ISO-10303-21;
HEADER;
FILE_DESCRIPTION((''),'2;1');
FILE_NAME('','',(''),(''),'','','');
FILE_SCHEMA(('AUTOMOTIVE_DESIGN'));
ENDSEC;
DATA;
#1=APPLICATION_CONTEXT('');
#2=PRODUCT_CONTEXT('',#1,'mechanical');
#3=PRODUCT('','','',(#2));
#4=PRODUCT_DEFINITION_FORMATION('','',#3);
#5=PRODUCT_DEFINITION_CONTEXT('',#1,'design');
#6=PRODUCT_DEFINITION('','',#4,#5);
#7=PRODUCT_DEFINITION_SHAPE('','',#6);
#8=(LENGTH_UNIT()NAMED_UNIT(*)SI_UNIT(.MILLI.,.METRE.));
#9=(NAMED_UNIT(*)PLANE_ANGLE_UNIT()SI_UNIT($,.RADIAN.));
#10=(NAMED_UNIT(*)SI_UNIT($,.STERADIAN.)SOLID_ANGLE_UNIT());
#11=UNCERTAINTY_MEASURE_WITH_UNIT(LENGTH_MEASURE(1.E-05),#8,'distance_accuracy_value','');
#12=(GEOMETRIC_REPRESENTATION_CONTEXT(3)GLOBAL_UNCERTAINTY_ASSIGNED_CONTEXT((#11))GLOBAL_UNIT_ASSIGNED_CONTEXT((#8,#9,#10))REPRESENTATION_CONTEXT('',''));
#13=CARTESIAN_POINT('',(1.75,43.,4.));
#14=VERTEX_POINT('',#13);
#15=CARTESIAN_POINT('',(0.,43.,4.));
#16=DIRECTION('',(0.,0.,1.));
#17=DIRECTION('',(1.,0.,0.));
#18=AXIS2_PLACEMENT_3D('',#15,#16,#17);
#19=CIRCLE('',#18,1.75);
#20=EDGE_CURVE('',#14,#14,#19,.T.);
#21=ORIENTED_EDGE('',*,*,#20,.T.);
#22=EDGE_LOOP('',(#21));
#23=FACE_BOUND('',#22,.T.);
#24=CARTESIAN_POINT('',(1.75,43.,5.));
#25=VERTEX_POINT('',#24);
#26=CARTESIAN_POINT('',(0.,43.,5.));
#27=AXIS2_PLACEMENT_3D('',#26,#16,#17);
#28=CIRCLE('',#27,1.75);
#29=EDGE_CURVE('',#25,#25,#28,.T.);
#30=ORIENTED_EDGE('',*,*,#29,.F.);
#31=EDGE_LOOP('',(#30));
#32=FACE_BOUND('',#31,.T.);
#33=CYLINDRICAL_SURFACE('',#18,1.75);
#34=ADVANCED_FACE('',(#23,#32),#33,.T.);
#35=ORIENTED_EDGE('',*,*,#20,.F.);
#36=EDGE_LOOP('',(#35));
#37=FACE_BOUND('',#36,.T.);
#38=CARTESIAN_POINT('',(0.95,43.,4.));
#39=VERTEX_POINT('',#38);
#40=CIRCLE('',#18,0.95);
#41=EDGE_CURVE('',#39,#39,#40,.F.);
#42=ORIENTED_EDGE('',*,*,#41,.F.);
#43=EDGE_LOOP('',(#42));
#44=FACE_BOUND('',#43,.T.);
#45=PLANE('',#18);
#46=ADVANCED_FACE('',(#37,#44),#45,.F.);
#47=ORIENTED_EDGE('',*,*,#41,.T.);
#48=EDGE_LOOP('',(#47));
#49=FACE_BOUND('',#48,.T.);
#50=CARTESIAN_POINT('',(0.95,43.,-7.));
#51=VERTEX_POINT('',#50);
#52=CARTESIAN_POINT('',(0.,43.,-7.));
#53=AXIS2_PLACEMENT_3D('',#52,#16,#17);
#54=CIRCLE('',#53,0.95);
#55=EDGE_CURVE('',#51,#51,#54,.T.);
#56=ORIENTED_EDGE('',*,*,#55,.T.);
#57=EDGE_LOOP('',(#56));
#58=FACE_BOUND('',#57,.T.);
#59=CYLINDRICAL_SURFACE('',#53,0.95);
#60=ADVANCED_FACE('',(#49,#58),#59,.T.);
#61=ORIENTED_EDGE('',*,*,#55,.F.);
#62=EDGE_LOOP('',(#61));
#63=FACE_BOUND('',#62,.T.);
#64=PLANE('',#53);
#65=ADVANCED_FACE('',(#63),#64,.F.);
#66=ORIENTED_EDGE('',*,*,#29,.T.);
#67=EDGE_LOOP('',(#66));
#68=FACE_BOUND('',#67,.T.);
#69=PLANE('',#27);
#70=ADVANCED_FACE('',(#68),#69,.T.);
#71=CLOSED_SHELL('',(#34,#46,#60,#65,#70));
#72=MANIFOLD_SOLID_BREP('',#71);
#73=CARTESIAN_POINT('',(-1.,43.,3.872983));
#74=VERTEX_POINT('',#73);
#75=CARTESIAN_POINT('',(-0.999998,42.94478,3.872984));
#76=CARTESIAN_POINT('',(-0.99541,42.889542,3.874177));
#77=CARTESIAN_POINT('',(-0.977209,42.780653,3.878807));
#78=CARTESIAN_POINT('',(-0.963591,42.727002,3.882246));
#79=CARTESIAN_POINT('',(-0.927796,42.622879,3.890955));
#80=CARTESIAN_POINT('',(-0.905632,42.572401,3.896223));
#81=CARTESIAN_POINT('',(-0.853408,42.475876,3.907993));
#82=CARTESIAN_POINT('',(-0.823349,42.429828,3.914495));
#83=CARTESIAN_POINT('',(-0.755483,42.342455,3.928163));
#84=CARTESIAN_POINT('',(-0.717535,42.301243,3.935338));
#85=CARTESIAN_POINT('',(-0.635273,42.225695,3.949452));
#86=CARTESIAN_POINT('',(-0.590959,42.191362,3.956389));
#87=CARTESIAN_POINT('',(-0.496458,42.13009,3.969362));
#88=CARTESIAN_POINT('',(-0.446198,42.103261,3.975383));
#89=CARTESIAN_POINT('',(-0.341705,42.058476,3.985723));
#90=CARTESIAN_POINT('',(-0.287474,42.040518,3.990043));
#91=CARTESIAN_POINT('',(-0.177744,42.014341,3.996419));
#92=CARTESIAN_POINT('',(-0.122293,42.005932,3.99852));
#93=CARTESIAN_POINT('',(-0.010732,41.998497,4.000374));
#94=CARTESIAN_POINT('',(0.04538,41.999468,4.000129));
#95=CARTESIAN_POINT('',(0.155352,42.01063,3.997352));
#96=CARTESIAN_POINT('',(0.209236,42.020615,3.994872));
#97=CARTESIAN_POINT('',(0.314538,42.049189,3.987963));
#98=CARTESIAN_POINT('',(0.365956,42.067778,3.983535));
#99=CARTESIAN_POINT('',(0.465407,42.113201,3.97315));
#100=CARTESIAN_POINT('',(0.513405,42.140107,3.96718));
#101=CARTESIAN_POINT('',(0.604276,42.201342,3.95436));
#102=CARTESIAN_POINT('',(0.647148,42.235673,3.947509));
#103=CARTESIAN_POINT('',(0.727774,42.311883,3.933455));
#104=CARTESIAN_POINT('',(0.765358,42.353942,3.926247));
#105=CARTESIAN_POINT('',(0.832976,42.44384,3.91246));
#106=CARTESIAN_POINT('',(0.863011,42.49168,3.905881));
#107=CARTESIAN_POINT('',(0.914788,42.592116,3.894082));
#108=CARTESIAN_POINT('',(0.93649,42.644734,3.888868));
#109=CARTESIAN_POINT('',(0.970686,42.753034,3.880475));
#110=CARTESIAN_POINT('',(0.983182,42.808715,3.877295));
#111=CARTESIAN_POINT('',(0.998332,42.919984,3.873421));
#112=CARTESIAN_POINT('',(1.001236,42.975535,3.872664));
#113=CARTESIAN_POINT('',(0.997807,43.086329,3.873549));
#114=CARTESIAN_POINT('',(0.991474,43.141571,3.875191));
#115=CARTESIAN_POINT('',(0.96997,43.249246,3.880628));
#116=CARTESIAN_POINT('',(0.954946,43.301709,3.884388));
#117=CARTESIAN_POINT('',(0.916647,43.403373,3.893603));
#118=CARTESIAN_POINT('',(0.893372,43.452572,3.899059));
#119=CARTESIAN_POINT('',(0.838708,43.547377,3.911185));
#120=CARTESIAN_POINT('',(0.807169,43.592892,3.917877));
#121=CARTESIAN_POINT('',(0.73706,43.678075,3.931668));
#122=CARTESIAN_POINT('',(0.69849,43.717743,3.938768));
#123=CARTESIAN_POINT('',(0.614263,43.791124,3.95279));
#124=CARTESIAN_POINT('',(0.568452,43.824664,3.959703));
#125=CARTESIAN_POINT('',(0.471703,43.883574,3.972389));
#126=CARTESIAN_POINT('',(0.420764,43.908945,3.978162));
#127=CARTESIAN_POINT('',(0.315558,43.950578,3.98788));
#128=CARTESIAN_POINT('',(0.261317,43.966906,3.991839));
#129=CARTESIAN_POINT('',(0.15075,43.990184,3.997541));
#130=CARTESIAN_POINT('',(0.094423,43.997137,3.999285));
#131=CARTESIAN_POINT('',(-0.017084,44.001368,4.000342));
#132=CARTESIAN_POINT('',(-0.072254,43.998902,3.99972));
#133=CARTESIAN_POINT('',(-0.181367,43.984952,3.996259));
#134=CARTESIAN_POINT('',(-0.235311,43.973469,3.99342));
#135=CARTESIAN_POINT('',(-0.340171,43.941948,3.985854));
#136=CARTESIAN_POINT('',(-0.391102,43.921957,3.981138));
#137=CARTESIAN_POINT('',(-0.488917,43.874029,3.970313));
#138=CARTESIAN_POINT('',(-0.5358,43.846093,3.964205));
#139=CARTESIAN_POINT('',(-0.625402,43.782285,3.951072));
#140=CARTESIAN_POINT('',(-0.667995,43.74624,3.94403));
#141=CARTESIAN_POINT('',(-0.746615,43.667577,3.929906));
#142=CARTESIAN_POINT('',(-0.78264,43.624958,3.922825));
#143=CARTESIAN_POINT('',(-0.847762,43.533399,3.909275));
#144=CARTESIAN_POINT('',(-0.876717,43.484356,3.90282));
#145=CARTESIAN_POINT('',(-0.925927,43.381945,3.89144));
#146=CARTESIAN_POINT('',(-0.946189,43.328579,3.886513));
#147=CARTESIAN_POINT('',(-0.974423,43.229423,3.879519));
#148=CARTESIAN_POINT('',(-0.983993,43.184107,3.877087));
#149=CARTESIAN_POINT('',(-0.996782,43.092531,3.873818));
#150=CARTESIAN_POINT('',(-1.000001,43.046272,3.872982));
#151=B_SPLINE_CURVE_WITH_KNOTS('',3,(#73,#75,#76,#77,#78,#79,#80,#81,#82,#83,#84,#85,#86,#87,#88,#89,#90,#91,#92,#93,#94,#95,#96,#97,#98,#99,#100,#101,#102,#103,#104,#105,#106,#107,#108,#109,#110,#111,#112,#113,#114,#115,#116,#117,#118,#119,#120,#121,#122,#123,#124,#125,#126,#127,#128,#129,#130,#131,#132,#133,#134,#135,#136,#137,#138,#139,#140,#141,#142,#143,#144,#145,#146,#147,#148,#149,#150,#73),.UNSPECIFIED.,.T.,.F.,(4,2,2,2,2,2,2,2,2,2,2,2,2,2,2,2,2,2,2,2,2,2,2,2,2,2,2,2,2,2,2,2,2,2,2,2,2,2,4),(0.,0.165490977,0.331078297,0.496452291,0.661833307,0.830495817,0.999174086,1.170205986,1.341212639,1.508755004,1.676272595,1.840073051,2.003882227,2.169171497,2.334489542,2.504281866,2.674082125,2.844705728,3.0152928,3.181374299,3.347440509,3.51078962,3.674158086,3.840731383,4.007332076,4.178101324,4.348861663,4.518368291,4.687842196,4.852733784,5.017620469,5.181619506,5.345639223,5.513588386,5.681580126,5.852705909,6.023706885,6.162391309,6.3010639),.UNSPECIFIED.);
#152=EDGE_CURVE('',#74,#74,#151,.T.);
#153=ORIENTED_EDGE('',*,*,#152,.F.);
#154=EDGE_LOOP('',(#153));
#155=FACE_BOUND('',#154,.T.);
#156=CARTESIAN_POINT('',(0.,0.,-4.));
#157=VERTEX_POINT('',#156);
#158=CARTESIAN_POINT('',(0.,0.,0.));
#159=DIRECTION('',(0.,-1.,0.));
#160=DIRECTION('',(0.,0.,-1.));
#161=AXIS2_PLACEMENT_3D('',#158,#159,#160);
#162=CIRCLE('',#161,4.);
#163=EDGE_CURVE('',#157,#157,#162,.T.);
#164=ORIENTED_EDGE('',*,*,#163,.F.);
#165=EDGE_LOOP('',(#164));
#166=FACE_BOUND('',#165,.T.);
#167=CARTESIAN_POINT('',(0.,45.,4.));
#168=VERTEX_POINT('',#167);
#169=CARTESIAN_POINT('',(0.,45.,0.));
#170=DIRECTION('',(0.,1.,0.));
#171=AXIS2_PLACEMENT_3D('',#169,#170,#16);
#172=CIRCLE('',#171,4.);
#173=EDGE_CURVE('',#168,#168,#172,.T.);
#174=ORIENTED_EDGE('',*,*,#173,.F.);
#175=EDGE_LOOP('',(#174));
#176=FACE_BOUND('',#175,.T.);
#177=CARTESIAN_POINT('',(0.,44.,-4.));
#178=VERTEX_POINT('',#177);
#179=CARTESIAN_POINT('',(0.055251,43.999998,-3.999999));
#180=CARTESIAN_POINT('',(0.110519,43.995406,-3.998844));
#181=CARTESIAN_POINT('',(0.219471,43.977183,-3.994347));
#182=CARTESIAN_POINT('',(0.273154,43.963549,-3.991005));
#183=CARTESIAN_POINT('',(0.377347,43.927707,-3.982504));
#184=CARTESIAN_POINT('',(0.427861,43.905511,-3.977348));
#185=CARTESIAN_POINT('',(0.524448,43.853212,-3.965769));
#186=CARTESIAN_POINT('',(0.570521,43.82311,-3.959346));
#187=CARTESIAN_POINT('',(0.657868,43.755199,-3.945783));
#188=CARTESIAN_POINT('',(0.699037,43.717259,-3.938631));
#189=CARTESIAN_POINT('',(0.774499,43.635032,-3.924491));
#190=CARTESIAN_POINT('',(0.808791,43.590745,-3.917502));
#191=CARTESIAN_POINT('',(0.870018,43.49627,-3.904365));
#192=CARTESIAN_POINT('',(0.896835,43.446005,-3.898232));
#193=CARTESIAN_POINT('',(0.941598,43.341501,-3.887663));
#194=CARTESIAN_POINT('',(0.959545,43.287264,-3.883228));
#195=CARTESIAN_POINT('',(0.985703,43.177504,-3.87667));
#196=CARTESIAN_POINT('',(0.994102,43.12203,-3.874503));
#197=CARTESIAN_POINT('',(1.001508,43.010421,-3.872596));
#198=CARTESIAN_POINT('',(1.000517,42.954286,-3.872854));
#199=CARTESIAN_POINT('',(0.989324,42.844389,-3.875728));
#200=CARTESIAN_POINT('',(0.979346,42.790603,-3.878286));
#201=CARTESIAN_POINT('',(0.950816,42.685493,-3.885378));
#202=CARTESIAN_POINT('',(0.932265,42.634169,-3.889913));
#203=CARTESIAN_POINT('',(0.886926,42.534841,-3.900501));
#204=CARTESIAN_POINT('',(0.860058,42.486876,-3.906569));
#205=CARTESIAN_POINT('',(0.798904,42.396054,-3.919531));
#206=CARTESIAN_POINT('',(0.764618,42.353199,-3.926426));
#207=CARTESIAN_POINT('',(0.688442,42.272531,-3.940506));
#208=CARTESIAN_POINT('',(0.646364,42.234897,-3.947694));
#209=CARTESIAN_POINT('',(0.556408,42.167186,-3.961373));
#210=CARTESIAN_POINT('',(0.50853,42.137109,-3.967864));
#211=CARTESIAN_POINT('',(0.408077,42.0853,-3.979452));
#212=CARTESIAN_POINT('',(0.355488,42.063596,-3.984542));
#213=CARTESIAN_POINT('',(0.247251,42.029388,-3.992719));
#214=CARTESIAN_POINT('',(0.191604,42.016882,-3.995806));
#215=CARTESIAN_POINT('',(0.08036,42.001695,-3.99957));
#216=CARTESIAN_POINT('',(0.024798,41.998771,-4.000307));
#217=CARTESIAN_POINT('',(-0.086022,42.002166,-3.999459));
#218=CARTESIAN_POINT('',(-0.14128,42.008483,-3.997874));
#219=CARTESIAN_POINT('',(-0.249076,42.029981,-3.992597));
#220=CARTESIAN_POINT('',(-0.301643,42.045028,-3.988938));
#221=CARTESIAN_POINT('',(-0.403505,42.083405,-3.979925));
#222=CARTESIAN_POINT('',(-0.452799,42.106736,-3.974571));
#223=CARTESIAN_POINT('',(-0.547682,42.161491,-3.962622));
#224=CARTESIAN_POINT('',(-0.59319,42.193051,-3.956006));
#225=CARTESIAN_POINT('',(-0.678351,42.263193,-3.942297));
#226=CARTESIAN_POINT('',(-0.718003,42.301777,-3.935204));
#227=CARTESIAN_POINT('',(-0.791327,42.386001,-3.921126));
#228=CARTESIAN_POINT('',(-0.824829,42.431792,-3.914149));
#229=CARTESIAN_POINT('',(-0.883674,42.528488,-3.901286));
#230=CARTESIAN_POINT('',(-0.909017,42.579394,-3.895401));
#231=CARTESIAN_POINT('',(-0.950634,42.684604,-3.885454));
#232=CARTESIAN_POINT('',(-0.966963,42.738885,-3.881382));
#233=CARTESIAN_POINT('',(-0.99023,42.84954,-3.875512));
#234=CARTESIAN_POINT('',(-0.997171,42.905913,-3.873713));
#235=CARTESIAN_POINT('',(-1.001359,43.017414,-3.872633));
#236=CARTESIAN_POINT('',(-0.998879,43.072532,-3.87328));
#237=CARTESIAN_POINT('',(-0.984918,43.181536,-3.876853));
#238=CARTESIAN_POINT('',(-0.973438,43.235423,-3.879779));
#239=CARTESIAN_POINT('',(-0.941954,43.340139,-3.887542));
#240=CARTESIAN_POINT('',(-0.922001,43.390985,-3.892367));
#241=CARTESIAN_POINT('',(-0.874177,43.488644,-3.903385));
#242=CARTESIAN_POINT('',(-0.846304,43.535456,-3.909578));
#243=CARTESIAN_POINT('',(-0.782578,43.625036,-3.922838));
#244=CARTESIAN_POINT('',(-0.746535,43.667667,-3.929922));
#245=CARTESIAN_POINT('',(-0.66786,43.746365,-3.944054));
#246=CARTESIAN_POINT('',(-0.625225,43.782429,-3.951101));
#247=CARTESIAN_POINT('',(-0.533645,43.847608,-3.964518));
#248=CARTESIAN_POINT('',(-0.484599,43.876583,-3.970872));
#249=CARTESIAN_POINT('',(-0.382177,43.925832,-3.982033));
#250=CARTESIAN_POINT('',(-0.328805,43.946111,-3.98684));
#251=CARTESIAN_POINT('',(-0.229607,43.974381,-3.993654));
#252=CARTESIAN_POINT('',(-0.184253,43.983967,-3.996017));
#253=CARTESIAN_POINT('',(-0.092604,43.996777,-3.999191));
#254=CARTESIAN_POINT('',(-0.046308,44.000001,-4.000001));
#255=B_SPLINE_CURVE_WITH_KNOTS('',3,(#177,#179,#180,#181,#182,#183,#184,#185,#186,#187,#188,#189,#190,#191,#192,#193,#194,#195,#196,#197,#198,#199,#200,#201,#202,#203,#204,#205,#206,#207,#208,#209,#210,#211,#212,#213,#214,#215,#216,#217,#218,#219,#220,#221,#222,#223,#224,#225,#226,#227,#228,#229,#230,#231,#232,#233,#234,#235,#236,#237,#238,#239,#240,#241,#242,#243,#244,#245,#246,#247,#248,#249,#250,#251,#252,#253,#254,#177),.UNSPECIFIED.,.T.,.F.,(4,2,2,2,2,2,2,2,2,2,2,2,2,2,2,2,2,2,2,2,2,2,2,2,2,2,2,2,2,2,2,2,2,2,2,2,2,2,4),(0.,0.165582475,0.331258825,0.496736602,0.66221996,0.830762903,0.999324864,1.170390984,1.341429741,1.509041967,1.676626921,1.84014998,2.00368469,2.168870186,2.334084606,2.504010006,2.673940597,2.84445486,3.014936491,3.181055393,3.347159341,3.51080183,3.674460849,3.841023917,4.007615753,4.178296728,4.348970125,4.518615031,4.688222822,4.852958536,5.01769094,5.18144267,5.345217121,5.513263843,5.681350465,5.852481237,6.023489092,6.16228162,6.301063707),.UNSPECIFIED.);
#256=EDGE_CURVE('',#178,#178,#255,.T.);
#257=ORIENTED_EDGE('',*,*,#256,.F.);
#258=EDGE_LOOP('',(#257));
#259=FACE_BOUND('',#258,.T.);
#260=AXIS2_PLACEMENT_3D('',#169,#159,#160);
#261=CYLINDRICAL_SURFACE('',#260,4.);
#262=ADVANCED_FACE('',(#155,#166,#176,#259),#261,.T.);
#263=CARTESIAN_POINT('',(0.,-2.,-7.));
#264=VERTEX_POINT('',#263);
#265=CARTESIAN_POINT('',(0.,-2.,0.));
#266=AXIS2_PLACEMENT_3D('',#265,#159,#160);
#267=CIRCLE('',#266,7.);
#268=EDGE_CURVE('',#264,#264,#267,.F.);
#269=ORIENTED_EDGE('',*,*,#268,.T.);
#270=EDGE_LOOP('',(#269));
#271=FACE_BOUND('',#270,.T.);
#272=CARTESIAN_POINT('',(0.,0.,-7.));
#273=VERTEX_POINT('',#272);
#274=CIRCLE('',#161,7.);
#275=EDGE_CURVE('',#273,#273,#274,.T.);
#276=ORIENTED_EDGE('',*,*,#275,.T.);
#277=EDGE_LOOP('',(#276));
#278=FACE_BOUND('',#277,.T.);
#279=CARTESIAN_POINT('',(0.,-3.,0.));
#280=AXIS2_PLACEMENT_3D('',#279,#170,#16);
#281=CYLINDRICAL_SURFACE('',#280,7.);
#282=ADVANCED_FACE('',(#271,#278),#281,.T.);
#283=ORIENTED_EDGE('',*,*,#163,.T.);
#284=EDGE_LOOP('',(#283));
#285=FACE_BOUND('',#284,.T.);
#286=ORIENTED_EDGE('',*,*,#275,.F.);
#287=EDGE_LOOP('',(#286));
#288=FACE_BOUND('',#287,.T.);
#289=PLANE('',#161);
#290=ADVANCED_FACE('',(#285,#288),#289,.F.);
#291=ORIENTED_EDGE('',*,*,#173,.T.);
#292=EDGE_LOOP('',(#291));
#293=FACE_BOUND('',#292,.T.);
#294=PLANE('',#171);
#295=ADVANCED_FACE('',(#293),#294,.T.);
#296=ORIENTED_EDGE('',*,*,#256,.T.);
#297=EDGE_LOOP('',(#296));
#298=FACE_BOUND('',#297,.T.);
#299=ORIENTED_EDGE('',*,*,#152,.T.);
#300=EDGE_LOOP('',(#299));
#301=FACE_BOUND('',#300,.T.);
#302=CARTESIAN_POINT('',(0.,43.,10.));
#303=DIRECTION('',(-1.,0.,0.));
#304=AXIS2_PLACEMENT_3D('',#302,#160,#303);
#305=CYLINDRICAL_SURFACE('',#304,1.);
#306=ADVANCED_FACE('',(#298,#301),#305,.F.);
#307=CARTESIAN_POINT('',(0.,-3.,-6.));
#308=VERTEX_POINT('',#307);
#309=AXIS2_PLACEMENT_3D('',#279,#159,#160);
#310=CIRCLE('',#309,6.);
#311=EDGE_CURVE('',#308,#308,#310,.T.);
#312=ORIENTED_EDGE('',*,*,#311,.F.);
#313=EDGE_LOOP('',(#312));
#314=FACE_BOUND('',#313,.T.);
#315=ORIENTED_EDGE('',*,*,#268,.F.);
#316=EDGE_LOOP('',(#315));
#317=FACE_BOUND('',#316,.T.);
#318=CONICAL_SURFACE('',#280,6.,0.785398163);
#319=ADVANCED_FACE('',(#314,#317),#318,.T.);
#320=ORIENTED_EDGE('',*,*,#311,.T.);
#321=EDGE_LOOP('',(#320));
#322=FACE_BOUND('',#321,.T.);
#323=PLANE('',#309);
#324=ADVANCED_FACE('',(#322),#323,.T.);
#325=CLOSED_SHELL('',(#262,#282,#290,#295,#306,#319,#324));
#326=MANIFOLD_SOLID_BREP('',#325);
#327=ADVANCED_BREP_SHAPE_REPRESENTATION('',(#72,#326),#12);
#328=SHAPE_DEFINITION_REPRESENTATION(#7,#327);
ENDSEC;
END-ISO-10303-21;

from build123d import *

# Parameters (mm, degrees)
SKETCH1_R                = 4
BOSS_EXTRUDE1_DEPTH      = 45
SKETCH2_R                = 7
BOSS_EXTRUDE2_DEPTH      = 3
CHAMFER1_SIZE            = 1
SKETCH3_R                = 1
CUT_EXTRUDE1_DEPTH       = 10
CUT_EXTRUDE1_DEPTH_BACK  = 10
SKETCH4_R                = 0.95
BOSS_EXTRUDE3_DEPTH      = 5
BOSS_EXTRUDE3_DEPTH_BACK = 7
SKETCH5_R                = 1.75
BOSS_EXTRUDE4_DEPTH      = 1


with BuildPart() as part:
    # Sketch1 → Boss-Extrude1 (new body)
    with BuildSketch(Plane(origin=(0, 0, 0), x_dir=(1, 0, 0), z_dir=(0, 1, 0))):
        Circle(SKETCH1_R)
    extrude(amount=BOSS_EXTRUDE1_DEPTH)

    # Sketch2 → Boss-Extrude2 (add)
    with BuildSketch(Plane.XZ):
        Circle(SKETCH2_R)
    extrude(amount=BOSS_EXTRUDE2_DEPTH)

    # Chamfer1
    chamfer1_edges = [part.edges().sort_by_distance(p)[0] for p in [
        (-7, -3, 0),
    ]]
    chamfer(chamfer1_edges, length=CHAMFER1_SIZE)

    # Sketch3 → Cut-Extrude1 (cut, two sides)
    with BuildSketch(Plane.XY) as cut_extrude1_sk:
        with Locations((0, 43)):
            Circle(SKETCH3_R)
    extrude(amount=CUT_EXTRUDE1_DEPTH, mode=Mode.SUBTRACT)
    extrude(cut_extrude1_sk.sketch, amount=-CUT_EXTRUDE1_DEPTH_BACK, mode=Mode.SUBTRACT)


with BuildPart() as body_2:
    # Sketch4 → Boss-Extrude3 (new body, two sides)
    with BuildSketch(Plane.XY) as boss_extrude3_sk:
        with Locations((0, 43)):
            Circle(SKETCH4_R)
    extrude(amount=BOSS_EXTRUDE3_DEPTH)
    extrude(boss_extrude3_sk.sketch, amount=-BOSS_EXTRUDE3_DEPTH_BACK)

    # Sketch5 → Boss-Extrude4 (add)
    with BuildSketch(Plane.XY.offset(5)):
        with Locations((0, 43)):
            Circle(SKETCH5_R)
    extrude(amount=-BOSS_EXTRUDE4_DEPTH)


solid = Compound([part.part, body_2.part])
